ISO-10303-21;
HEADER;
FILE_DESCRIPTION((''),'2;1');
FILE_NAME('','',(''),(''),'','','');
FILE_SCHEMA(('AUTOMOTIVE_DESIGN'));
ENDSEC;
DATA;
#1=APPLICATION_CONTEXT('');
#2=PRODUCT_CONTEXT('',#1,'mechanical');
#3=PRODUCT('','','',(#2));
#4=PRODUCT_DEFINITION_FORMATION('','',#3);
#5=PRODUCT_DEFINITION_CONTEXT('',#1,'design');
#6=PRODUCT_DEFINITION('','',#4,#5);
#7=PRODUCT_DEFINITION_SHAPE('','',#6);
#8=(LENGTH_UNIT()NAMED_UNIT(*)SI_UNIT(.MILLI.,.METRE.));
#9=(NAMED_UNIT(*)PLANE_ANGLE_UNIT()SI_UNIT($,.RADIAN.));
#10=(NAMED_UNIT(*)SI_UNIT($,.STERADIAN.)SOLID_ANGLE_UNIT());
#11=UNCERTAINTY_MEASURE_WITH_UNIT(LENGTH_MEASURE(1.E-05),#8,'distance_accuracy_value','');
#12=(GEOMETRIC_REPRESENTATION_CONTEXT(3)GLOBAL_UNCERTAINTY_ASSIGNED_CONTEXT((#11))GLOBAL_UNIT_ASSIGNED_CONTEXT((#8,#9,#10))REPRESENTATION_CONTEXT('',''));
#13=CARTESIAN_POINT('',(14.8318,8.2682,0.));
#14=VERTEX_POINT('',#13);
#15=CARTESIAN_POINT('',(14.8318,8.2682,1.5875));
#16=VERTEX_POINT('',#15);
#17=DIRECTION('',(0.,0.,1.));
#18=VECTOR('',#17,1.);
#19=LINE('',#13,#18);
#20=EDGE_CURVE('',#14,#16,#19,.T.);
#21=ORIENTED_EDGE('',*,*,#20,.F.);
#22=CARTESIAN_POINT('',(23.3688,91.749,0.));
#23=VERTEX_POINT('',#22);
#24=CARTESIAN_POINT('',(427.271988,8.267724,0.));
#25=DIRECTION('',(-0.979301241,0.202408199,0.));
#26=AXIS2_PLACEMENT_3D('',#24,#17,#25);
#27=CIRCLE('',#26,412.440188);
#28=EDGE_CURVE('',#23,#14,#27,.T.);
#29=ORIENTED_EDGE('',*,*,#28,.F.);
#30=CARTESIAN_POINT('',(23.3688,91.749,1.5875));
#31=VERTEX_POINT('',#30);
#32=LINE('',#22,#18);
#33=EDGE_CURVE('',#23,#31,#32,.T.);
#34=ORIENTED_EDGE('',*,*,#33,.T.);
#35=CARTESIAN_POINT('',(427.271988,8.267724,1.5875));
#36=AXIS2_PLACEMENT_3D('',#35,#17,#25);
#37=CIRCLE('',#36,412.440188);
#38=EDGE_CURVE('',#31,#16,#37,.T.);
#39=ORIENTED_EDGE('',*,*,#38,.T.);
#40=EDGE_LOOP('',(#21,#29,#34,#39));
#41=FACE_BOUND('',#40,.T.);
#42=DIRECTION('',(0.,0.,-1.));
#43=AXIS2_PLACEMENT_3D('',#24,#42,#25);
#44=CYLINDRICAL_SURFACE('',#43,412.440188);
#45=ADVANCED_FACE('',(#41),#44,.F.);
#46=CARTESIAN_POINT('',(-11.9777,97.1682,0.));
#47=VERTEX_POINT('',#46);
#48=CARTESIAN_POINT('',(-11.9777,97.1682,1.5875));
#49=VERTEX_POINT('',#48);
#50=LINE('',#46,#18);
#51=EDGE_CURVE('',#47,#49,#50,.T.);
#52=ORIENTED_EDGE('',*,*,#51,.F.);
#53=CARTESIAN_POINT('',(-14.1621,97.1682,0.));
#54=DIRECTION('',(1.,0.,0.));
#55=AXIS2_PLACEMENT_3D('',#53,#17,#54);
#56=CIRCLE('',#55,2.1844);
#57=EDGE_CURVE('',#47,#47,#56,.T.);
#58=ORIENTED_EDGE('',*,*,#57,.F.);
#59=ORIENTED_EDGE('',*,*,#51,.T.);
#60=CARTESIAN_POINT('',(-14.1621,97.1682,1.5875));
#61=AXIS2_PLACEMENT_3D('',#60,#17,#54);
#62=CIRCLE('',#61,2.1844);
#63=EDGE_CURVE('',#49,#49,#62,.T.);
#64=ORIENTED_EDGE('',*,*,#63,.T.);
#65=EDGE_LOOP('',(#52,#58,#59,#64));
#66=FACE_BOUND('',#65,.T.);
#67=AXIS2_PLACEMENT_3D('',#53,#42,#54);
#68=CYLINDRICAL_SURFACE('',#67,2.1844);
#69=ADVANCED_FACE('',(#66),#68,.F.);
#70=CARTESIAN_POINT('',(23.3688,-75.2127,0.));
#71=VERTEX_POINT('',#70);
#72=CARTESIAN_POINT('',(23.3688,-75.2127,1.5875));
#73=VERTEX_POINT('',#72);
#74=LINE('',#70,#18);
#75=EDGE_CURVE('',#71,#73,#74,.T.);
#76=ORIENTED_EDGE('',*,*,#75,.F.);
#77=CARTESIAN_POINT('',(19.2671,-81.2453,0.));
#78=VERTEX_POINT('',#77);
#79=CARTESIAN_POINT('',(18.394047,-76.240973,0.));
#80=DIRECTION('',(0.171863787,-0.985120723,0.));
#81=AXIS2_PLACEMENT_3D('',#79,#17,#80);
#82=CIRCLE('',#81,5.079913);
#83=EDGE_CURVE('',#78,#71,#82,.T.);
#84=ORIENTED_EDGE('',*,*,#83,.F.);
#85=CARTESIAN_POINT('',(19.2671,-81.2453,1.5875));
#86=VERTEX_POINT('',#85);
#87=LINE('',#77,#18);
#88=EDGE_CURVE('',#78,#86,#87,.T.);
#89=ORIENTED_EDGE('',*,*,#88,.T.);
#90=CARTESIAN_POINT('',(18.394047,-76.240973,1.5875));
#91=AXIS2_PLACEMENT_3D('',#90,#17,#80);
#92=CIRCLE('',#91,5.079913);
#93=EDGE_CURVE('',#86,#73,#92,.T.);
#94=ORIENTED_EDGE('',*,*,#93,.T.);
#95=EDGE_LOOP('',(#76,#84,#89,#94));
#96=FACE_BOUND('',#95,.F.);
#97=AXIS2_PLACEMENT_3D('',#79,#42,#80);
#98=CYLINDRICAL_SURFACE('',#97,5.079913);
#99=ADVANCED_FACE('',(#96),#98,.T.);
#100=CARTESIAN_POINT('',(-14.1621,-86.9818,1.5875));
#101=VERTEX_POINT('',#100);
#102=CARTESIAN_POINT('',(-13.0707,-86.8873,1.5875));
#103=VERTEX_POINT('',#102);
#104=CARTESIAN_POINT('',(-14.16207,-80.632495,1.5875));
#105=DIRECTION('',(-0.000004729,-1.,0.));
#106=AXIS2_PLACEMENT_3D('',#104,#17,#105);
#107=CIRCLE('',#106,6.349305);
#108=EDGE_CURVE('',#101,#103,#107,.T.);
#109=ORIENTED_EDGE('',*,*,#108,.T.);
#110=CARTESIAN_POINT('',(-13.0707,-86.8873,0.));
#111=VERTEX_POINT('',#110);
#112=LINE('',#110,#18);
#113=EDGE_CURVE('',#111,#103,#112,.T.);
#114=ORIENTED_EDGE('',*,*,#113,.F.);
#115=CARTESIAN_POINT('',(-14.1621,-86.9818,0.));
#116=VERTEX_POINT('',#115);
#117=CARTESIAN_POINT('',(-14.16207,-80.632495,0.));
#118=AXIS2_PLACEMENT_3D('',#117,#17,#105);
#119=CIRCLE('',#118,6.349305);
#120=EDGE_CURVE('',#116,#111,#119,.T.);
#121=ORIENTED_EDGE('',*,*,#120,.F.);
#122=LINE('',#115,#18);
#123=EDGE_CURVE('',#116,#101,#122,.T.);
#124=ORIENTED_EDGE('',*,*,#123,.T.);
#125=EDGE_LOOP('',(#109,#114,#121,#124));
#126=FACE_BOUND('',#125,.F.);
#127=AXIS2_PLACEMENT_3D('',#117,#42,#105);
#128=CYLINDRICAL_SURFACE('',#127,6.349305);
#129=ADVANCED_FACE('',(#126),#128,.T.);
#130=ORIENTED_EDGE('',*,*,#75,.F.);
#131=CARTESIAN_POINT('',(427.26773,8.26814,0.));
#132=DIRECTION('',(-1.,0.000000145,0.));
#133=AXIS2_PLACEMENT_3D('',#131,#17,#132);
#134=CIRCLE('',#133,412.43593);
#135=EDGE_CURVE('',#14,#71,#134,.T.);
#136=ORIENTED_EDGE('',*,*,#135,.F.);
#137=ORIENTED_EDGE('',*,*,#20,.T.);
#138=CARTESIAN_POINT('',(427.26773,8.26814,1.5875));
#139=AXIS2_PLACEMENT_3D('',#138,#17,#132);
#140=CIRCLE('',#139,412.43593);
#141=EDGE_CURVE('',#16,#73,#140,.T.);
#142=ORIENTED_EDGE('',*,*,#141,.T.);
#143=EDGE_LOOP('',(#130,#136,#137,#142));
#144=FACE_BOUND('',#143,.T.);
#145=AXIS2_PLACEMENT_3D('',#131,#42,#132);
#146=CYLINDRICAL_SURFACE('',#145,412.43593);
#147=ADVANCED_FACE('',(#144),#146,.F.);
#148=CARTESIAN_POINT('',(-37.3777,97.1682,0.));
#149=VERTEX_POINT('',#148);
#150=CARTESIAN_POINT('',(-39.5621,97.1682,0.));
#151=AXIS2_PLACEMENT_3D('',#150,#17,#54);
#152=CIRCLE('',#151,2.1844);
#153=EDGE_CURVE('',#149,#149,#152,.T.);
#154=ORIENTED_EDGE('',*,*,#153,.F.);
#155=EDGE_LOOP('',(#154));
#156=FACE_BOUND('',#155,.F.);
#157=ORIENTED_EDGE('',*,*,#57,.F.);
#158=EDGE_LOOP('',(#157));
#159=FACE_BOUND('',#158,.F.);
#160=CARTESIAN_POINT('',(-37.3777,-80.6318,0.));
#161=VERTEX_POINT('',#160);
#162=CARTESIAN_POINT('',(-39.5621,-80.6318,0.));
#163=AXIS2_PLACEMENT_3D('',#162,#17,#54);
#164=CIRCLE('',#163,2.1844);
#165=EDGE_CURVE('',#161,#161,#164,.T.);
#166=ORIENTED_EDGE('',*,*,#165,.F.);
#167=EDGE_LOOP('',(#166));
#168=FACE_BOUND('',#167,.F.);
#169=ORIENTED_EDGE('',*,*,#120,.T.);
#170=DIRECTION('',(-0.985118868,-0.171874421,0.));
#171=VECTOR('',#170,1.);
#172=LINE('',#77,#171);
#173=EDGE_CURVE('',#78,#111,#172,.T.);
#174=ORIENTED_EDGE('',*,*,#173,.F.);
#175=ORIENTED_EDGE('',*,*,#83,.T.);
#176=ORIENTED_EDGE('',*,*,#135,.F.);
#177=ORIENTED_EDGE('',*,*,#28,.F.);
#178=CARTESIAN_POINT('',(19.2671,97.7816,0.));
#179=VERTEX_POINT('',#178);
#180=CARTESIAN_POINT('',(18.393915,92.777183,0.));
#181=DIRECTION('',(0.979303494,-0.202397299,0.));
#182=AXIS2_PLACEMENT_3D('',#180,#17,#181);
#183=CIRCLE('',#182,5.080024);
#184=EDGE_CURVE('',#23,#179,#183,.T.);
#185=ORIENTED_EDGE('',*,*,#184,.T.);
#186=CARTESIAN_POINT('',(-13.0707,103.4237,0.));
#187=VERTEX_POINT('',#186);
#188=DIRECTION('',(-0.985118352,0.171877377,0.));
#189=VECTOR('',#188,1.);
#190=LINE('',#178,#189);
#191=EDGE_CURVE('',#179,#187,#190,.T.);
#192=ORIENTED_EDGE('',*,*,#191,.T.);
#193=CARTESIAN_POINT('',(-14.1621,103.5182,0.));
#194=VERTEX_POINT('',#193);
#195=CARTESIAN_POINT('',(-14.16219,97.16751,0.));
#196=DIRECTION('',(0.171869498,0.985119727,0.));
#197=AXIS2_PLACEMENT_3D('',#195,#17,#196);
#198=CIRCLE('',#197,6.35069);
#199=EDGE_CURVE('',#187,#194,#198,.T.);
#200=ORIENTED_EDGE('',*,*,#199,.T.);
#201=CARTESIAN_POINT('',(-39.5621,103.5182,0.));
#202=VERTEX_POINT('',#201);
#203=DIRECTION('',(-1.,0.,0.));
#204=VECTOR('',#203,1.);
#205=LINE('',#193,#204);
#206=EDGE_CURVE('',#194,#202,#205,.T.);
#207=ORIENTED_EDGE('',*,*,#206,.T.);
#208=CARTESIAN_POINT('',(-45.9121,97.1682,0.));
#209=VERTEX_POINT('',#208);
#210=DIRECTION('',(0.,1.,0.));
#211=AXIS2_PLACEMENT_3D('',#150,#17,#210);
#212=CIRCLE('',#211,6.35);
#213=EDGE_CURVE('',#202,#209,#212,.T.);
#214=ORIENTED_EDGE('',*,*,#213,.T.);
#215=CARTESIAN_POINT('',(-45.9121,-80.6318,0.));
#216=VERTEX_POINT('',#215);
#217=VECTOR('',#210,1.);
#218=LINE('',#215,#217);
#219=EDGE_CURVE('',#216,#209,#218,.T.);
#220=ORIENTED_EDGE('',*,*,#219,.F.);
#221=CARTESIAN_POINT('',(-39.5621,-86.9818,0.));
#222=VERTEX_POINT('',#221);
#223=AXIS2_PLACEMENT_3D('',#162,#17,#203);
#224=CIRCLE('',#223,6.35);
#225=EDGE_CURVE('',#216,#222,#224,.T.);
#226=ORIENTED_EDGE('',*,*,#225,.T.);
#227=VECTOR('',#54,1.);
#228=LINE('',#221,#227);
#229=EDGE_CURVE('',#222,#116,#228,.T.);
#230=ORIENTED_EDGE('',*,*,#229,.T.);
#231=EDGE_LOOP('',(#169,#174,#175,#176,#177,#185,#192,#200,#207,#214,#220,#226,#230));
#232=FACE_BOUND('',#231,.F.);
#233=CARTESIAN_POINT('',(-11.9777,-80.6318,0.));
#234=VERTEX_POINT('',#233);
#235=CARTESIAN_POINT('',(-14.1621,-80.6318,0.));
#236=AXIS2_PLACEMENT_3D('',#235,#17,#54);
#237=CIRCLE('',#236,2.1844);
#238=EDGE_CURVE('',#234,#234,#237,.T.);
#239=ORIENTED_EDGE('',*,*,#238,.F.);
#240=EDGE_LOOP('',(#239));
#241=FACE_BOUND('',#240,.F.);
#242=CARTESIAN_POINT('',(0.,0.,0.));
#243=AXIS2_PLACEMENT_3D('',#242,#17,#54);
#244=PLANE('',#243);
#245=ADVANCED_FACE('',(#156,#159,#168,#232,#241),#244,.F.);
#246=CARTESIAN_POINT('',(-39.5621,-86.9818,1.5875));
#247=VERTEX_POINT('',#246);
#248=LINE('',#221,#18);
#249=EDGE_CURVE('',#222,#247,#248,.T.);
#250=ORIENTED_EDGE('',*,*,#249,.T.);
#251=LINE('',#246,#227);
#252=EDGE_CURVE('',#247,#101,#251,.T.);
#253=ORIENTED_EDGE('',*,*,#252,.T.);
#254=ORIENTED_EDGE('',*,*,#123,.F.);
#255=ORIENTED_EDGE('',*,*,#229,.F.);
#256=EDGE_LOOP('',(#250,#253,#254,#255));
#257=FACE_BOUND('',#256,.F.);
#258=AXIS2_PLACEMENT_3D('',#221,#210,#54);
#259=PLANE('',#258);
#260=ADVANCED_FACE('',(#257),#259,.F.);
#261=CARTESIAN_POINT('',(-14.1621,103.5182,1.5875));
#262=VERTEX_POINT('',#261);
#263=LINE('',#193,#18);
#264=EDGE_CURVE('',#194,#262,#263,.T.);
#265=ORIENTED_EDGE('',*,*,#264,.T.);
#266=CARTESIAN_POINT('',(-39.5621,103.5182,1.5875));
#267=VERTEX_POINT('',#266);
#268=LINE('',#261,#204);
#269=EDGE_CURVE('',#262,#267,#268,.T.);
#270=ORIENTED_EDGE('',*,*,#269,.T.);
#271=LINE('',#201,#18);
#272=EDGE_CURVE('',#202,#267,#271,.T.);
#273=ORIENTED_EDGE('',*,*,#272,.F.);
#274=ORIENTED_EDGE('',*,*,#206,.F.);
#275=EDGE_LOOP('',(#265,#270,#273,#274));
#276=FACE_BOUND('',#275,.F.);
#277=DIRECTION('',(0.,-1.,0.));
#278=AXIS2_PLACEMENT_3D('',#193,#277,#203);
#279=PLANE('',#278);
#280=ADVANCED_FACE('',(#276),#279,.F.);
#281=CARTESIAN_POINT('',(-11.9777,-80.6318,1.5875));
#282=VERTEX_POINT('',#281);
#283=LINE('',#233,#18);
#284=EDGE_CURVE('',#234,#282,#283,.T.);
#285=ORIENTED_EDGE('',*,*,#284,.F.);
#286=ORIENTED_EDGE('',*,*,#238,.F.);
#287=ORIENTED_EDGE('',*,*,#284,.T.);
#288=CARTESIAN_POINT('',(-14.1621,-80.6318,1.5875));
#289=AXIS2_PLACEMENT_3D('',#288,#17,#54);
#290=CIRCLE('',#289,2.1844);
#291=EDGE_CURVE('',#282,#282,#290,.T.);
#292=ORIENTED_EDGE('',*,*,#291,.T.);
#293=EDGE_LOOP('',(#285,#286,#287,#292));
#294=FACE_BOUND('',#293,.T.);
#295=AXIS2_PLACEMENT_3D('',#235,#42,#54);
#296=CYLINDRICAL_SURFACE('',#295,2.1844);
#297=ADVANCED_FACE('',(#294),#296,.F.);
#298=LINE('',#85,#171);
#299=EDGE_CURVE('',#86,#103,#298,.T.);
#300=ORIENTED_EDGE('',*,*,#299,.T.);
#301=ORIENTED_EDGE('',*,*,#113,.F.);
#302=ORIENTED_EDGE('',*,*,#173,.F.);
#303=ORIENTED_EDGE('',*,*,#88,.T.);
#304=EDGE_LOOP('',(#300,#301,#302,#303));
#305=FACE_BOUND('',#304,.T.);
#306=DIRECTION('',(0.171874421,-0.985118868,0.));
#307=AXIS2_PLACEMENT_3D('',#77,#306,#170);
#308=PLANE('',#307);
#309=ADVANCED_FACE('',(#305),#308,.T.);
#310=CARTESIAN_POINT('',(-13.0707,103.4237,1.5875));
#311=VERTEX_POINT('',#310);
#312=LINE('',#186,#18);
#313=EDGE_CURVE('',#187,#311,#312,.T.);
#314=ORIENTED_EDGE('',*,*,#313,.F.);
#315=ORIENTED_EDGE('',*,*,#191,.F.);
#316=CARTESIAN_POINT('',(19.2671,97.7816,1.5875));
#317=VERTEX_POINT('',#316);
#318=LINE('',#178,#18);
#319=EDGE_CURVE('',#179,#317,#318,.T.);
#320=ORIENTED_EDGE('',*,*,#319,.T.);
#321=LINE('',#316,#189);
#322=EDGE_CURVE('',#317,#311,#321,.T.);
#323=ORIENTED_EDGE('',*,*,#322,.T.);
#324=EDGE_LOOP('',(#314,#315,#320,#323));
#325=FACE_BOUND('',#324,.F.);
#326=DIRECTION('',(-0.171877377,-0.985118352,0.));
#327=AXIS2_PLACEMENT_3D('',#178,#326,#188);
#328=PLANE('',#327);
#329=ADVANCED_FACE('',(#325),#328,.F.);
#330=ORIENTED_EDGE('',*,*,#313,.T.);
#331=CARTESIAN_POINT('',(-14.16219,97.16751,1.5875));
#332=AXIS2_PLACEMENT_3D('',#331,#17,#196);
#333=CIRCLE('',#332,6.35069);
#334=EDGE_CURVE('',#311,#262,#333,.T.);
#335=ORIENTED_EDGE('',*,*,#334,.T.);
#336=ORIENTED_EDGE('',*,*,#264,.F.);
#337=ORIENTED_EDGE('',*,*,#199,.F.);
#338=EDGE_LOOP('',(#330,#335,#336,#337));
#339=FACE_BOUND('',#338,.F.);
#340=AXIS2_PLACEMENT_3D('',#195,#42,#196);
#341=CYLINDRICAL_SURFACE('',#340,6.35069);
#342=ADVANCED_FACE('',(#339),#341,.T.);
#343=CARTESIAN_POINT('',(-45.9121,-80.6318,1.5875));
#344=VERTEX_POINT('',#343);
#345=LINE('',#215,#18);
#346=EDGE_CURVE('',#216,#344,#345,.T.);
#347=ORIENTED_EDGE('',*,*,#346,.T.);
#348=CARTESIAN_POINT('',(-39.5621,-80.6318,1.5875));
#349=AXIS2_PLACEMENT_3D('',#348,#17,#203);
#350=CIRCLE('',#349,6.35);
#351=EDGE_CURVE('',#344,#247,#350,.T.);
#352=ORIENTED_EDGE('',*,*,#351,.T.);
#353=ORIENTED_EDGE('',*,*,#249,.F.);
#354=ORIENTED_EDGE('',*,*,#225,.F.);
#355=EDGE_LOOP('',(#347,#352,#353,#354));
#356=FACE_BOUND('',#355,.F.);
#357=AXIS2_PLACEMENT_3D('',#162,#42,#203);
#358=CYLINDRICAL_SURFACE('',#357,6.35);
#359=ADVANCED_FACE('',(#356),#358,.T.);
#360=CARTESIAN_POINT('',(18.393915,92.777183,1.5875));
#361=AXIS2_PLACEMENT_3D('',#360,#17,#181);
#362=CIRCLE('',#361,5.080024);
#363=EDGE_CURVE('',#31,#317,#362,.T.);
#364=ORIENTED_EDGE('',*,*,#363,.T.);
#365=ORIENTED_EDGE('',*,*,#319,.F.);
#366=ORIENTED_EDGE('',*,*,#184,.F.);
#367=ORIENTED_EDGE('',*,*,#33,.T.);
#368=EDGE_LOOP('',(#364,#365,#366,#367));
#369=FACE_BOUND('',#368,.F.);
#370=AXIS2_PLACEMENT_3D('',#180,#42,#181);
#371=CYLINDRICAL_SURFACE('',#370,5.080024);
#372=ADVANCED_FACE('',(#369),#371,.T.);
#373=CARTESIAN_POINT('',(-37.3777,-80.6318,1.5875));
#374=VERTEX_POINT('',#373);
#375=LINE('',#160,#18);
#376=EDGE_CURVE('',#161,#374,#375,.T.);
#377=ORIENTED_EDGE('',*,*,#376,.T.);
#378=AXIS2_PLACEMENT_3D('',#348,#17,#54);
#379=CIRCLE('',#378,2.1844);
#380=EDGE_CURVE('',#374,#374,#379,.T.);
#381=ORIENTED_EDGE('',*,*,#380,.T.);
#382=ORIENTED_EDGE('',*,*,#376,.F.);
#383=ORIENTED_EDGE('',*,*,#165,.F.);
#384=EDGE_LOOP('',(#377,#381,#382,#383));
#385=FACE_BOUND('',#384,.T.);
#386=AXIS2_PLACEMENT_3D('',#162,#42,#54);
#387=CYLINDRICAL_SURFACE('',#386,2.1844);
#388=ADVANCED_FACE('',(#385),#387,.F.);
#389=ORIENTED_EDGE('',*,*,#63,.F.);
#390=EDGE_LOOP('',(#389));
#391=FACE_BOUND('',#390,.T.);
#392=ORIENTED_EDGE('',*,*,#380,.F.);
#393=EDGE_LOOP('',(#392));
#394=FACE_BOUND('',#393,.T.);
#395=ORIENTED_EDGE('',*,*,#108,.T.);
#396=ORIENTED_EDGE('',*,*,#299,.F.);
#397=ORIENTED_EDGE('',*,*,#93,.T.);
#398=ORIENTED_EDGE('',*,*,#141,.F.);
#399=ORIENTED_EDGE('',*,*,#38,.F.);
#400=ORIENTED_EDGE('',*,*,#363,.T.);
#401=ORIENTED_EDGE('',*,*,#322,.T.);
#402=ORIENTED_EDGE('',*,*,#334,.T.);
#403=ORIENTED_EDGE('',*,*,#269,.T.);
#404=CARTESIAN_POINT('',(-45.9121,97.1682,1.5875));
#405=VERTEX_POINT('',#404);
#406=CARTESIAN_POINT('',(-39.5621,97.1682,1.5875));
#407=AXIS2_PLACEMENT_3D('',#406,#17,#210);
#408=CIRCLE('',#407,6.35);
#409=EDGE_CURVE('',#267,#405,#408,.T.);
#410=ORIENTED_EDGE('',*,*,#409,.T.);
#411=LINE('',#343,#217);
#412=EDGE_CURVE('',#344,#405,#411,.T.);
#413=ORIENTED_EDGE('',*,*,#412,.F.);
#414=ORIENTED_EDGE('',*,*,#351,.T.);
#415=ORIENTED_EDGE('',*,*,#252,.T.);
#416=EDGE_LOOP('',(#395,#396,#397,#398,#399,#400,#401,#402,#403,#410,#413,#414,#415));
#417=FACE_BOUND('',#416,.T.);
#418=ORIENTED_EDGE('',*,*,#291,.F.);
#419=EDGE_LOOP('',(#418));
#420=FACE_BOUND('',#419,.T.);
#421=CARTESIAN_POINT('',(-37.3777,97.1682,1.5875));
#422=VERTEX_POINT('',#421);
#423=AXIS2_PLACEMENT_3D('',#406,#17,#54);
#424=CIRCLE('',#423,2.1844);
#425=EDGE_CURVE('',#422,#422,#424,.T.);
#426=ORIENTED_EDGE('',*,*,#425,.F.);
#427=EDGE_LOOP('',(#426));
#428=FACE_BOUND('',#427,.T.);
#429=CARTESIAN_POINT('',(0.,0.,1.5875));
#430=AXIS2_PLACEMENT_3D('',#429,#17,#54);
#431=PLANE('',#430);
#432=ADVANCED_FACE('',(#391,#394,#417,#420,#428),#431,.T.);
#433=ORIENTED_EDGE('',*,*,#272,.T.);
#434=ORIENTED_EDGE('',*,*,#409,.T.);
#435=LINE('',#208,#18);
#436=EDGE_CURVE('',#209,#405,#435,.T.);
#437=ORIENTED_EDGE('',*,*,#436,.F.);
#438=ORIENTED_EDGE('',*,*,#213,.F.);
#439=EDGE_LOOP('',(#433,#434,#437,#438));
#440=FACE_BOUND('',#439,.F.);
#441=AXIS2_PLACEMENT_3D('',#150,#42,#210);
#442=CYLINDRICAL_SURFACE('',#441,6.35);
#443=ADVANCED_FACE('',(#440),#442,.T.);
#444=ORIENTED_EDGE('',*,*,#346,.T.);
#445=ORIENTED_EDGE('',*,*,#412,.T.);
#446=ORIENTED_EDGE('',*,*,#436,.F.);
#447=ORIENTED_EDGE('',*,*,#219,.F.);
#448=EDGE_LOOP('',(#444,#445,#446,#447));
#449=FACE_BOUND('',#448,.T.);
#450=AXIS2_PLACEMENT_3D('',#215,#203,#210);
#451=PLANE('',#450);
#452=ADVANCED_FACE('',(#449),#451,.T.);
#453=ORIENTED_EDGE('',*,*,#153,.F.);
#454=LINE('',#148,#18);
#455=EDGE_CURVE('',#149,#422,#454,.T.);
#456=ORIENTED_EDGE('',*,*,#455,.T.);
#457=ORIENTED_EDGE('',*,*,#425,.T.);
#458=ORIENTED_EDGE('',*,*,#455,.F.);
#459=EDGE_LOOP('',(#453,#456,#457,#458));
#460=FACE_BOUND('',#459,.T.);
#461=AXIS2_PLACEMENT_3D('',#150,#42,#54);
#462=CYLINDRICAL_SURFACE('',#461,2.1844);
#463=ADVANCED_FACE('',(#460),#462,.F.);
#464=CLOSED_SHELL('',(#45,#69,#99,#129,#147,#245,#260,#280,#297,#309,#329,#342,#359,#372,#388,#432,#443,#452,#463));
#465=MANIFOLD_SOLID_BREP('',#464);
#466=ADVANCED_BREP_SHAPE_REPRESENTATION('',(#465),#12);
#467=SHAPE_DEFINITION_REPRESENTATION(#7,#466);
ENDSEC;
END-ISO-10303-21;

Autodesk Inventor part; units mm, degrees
ref_plane "YZ Plane" through (0, 0, 0) normal (1, 0, 0) x (0, 1, 0)
ref_plane "XZ Plane" through (0, 0, 0) normal (0, 1, 0) x (-1, 0, 0)
ref_plane "XY Plane" through (0, 0, 0) normal (0, 0, 1) x (1, 0, 0)
sketch "Sketch1" plane through (0, 0, 0) normal (0, 0, 1) x (1, 0, 0)
  circle A0 centre (-39.5621, -80.6318) radius 2.1844
  circle A1 centre (-14.1621, -80.6318) radius 2.1844
  circle A2 centre (-14.1621, 97.1682) radius 2.1844
  circle A3 centre (-39.5621, 97.1682) radius 2.1844
  arc A4 (19.2671, -81.2453) -> (23.3688, -75.2127) centre (18.394, -76.2409) ccw
  line L0 (19.2671, -81.2453) -> (-13.0707, -86.8873)
  arc A5 (14.8318, 8.2682) -> (23.3688, -75.2127) centre (427.2689, 8.2682) ccw
  arc A6 (23.3688, 91.749) -> (14.8318, 8.2682) centre (427.2689, 8.2682) ccw
  arc A7 (23.3688, 91.749) -> (19.2671, 97.7816) centre (18.394, 92.7772) ccw
  line L1 (19.2671, 97.7816) -> (-13.0707, 103.4237)
  line L2 (-39.5621, -86.9818) -> (-14.1621, -86.9818)
  line L3 (-14.1621, 103.5182) -> (-39.5621, 103.5182)
  line L4 (-45.9121, -80.6318) -> (-45.9121, 97.1682)
  arc A8 (-45.9121, -80.6318) -> (-39.5621, -86.9818) centre (-39.5621, -80.6318) ccw
  arc A9 (-14.1621, -86.9818) -> (-13.0707, -86.8873) centre (-14.1621, -80.6318) ccw
  arc A10 (-13.0707, 103.4237) -> (-14.1621, 103.5182) centre (-14.1621, 97.1682) ccw
  arc A11 (-39.5621, 103.5182) -> (-45.9121, 97.1682) centre (-39.5621, 97.1682) ccw
  point P0 (0, 0)
  dimension "d0" = 5.08
extrude "Extrusion1" add sketch "Sketch1" along normal blind 1.5875
properties part number "wedge"
